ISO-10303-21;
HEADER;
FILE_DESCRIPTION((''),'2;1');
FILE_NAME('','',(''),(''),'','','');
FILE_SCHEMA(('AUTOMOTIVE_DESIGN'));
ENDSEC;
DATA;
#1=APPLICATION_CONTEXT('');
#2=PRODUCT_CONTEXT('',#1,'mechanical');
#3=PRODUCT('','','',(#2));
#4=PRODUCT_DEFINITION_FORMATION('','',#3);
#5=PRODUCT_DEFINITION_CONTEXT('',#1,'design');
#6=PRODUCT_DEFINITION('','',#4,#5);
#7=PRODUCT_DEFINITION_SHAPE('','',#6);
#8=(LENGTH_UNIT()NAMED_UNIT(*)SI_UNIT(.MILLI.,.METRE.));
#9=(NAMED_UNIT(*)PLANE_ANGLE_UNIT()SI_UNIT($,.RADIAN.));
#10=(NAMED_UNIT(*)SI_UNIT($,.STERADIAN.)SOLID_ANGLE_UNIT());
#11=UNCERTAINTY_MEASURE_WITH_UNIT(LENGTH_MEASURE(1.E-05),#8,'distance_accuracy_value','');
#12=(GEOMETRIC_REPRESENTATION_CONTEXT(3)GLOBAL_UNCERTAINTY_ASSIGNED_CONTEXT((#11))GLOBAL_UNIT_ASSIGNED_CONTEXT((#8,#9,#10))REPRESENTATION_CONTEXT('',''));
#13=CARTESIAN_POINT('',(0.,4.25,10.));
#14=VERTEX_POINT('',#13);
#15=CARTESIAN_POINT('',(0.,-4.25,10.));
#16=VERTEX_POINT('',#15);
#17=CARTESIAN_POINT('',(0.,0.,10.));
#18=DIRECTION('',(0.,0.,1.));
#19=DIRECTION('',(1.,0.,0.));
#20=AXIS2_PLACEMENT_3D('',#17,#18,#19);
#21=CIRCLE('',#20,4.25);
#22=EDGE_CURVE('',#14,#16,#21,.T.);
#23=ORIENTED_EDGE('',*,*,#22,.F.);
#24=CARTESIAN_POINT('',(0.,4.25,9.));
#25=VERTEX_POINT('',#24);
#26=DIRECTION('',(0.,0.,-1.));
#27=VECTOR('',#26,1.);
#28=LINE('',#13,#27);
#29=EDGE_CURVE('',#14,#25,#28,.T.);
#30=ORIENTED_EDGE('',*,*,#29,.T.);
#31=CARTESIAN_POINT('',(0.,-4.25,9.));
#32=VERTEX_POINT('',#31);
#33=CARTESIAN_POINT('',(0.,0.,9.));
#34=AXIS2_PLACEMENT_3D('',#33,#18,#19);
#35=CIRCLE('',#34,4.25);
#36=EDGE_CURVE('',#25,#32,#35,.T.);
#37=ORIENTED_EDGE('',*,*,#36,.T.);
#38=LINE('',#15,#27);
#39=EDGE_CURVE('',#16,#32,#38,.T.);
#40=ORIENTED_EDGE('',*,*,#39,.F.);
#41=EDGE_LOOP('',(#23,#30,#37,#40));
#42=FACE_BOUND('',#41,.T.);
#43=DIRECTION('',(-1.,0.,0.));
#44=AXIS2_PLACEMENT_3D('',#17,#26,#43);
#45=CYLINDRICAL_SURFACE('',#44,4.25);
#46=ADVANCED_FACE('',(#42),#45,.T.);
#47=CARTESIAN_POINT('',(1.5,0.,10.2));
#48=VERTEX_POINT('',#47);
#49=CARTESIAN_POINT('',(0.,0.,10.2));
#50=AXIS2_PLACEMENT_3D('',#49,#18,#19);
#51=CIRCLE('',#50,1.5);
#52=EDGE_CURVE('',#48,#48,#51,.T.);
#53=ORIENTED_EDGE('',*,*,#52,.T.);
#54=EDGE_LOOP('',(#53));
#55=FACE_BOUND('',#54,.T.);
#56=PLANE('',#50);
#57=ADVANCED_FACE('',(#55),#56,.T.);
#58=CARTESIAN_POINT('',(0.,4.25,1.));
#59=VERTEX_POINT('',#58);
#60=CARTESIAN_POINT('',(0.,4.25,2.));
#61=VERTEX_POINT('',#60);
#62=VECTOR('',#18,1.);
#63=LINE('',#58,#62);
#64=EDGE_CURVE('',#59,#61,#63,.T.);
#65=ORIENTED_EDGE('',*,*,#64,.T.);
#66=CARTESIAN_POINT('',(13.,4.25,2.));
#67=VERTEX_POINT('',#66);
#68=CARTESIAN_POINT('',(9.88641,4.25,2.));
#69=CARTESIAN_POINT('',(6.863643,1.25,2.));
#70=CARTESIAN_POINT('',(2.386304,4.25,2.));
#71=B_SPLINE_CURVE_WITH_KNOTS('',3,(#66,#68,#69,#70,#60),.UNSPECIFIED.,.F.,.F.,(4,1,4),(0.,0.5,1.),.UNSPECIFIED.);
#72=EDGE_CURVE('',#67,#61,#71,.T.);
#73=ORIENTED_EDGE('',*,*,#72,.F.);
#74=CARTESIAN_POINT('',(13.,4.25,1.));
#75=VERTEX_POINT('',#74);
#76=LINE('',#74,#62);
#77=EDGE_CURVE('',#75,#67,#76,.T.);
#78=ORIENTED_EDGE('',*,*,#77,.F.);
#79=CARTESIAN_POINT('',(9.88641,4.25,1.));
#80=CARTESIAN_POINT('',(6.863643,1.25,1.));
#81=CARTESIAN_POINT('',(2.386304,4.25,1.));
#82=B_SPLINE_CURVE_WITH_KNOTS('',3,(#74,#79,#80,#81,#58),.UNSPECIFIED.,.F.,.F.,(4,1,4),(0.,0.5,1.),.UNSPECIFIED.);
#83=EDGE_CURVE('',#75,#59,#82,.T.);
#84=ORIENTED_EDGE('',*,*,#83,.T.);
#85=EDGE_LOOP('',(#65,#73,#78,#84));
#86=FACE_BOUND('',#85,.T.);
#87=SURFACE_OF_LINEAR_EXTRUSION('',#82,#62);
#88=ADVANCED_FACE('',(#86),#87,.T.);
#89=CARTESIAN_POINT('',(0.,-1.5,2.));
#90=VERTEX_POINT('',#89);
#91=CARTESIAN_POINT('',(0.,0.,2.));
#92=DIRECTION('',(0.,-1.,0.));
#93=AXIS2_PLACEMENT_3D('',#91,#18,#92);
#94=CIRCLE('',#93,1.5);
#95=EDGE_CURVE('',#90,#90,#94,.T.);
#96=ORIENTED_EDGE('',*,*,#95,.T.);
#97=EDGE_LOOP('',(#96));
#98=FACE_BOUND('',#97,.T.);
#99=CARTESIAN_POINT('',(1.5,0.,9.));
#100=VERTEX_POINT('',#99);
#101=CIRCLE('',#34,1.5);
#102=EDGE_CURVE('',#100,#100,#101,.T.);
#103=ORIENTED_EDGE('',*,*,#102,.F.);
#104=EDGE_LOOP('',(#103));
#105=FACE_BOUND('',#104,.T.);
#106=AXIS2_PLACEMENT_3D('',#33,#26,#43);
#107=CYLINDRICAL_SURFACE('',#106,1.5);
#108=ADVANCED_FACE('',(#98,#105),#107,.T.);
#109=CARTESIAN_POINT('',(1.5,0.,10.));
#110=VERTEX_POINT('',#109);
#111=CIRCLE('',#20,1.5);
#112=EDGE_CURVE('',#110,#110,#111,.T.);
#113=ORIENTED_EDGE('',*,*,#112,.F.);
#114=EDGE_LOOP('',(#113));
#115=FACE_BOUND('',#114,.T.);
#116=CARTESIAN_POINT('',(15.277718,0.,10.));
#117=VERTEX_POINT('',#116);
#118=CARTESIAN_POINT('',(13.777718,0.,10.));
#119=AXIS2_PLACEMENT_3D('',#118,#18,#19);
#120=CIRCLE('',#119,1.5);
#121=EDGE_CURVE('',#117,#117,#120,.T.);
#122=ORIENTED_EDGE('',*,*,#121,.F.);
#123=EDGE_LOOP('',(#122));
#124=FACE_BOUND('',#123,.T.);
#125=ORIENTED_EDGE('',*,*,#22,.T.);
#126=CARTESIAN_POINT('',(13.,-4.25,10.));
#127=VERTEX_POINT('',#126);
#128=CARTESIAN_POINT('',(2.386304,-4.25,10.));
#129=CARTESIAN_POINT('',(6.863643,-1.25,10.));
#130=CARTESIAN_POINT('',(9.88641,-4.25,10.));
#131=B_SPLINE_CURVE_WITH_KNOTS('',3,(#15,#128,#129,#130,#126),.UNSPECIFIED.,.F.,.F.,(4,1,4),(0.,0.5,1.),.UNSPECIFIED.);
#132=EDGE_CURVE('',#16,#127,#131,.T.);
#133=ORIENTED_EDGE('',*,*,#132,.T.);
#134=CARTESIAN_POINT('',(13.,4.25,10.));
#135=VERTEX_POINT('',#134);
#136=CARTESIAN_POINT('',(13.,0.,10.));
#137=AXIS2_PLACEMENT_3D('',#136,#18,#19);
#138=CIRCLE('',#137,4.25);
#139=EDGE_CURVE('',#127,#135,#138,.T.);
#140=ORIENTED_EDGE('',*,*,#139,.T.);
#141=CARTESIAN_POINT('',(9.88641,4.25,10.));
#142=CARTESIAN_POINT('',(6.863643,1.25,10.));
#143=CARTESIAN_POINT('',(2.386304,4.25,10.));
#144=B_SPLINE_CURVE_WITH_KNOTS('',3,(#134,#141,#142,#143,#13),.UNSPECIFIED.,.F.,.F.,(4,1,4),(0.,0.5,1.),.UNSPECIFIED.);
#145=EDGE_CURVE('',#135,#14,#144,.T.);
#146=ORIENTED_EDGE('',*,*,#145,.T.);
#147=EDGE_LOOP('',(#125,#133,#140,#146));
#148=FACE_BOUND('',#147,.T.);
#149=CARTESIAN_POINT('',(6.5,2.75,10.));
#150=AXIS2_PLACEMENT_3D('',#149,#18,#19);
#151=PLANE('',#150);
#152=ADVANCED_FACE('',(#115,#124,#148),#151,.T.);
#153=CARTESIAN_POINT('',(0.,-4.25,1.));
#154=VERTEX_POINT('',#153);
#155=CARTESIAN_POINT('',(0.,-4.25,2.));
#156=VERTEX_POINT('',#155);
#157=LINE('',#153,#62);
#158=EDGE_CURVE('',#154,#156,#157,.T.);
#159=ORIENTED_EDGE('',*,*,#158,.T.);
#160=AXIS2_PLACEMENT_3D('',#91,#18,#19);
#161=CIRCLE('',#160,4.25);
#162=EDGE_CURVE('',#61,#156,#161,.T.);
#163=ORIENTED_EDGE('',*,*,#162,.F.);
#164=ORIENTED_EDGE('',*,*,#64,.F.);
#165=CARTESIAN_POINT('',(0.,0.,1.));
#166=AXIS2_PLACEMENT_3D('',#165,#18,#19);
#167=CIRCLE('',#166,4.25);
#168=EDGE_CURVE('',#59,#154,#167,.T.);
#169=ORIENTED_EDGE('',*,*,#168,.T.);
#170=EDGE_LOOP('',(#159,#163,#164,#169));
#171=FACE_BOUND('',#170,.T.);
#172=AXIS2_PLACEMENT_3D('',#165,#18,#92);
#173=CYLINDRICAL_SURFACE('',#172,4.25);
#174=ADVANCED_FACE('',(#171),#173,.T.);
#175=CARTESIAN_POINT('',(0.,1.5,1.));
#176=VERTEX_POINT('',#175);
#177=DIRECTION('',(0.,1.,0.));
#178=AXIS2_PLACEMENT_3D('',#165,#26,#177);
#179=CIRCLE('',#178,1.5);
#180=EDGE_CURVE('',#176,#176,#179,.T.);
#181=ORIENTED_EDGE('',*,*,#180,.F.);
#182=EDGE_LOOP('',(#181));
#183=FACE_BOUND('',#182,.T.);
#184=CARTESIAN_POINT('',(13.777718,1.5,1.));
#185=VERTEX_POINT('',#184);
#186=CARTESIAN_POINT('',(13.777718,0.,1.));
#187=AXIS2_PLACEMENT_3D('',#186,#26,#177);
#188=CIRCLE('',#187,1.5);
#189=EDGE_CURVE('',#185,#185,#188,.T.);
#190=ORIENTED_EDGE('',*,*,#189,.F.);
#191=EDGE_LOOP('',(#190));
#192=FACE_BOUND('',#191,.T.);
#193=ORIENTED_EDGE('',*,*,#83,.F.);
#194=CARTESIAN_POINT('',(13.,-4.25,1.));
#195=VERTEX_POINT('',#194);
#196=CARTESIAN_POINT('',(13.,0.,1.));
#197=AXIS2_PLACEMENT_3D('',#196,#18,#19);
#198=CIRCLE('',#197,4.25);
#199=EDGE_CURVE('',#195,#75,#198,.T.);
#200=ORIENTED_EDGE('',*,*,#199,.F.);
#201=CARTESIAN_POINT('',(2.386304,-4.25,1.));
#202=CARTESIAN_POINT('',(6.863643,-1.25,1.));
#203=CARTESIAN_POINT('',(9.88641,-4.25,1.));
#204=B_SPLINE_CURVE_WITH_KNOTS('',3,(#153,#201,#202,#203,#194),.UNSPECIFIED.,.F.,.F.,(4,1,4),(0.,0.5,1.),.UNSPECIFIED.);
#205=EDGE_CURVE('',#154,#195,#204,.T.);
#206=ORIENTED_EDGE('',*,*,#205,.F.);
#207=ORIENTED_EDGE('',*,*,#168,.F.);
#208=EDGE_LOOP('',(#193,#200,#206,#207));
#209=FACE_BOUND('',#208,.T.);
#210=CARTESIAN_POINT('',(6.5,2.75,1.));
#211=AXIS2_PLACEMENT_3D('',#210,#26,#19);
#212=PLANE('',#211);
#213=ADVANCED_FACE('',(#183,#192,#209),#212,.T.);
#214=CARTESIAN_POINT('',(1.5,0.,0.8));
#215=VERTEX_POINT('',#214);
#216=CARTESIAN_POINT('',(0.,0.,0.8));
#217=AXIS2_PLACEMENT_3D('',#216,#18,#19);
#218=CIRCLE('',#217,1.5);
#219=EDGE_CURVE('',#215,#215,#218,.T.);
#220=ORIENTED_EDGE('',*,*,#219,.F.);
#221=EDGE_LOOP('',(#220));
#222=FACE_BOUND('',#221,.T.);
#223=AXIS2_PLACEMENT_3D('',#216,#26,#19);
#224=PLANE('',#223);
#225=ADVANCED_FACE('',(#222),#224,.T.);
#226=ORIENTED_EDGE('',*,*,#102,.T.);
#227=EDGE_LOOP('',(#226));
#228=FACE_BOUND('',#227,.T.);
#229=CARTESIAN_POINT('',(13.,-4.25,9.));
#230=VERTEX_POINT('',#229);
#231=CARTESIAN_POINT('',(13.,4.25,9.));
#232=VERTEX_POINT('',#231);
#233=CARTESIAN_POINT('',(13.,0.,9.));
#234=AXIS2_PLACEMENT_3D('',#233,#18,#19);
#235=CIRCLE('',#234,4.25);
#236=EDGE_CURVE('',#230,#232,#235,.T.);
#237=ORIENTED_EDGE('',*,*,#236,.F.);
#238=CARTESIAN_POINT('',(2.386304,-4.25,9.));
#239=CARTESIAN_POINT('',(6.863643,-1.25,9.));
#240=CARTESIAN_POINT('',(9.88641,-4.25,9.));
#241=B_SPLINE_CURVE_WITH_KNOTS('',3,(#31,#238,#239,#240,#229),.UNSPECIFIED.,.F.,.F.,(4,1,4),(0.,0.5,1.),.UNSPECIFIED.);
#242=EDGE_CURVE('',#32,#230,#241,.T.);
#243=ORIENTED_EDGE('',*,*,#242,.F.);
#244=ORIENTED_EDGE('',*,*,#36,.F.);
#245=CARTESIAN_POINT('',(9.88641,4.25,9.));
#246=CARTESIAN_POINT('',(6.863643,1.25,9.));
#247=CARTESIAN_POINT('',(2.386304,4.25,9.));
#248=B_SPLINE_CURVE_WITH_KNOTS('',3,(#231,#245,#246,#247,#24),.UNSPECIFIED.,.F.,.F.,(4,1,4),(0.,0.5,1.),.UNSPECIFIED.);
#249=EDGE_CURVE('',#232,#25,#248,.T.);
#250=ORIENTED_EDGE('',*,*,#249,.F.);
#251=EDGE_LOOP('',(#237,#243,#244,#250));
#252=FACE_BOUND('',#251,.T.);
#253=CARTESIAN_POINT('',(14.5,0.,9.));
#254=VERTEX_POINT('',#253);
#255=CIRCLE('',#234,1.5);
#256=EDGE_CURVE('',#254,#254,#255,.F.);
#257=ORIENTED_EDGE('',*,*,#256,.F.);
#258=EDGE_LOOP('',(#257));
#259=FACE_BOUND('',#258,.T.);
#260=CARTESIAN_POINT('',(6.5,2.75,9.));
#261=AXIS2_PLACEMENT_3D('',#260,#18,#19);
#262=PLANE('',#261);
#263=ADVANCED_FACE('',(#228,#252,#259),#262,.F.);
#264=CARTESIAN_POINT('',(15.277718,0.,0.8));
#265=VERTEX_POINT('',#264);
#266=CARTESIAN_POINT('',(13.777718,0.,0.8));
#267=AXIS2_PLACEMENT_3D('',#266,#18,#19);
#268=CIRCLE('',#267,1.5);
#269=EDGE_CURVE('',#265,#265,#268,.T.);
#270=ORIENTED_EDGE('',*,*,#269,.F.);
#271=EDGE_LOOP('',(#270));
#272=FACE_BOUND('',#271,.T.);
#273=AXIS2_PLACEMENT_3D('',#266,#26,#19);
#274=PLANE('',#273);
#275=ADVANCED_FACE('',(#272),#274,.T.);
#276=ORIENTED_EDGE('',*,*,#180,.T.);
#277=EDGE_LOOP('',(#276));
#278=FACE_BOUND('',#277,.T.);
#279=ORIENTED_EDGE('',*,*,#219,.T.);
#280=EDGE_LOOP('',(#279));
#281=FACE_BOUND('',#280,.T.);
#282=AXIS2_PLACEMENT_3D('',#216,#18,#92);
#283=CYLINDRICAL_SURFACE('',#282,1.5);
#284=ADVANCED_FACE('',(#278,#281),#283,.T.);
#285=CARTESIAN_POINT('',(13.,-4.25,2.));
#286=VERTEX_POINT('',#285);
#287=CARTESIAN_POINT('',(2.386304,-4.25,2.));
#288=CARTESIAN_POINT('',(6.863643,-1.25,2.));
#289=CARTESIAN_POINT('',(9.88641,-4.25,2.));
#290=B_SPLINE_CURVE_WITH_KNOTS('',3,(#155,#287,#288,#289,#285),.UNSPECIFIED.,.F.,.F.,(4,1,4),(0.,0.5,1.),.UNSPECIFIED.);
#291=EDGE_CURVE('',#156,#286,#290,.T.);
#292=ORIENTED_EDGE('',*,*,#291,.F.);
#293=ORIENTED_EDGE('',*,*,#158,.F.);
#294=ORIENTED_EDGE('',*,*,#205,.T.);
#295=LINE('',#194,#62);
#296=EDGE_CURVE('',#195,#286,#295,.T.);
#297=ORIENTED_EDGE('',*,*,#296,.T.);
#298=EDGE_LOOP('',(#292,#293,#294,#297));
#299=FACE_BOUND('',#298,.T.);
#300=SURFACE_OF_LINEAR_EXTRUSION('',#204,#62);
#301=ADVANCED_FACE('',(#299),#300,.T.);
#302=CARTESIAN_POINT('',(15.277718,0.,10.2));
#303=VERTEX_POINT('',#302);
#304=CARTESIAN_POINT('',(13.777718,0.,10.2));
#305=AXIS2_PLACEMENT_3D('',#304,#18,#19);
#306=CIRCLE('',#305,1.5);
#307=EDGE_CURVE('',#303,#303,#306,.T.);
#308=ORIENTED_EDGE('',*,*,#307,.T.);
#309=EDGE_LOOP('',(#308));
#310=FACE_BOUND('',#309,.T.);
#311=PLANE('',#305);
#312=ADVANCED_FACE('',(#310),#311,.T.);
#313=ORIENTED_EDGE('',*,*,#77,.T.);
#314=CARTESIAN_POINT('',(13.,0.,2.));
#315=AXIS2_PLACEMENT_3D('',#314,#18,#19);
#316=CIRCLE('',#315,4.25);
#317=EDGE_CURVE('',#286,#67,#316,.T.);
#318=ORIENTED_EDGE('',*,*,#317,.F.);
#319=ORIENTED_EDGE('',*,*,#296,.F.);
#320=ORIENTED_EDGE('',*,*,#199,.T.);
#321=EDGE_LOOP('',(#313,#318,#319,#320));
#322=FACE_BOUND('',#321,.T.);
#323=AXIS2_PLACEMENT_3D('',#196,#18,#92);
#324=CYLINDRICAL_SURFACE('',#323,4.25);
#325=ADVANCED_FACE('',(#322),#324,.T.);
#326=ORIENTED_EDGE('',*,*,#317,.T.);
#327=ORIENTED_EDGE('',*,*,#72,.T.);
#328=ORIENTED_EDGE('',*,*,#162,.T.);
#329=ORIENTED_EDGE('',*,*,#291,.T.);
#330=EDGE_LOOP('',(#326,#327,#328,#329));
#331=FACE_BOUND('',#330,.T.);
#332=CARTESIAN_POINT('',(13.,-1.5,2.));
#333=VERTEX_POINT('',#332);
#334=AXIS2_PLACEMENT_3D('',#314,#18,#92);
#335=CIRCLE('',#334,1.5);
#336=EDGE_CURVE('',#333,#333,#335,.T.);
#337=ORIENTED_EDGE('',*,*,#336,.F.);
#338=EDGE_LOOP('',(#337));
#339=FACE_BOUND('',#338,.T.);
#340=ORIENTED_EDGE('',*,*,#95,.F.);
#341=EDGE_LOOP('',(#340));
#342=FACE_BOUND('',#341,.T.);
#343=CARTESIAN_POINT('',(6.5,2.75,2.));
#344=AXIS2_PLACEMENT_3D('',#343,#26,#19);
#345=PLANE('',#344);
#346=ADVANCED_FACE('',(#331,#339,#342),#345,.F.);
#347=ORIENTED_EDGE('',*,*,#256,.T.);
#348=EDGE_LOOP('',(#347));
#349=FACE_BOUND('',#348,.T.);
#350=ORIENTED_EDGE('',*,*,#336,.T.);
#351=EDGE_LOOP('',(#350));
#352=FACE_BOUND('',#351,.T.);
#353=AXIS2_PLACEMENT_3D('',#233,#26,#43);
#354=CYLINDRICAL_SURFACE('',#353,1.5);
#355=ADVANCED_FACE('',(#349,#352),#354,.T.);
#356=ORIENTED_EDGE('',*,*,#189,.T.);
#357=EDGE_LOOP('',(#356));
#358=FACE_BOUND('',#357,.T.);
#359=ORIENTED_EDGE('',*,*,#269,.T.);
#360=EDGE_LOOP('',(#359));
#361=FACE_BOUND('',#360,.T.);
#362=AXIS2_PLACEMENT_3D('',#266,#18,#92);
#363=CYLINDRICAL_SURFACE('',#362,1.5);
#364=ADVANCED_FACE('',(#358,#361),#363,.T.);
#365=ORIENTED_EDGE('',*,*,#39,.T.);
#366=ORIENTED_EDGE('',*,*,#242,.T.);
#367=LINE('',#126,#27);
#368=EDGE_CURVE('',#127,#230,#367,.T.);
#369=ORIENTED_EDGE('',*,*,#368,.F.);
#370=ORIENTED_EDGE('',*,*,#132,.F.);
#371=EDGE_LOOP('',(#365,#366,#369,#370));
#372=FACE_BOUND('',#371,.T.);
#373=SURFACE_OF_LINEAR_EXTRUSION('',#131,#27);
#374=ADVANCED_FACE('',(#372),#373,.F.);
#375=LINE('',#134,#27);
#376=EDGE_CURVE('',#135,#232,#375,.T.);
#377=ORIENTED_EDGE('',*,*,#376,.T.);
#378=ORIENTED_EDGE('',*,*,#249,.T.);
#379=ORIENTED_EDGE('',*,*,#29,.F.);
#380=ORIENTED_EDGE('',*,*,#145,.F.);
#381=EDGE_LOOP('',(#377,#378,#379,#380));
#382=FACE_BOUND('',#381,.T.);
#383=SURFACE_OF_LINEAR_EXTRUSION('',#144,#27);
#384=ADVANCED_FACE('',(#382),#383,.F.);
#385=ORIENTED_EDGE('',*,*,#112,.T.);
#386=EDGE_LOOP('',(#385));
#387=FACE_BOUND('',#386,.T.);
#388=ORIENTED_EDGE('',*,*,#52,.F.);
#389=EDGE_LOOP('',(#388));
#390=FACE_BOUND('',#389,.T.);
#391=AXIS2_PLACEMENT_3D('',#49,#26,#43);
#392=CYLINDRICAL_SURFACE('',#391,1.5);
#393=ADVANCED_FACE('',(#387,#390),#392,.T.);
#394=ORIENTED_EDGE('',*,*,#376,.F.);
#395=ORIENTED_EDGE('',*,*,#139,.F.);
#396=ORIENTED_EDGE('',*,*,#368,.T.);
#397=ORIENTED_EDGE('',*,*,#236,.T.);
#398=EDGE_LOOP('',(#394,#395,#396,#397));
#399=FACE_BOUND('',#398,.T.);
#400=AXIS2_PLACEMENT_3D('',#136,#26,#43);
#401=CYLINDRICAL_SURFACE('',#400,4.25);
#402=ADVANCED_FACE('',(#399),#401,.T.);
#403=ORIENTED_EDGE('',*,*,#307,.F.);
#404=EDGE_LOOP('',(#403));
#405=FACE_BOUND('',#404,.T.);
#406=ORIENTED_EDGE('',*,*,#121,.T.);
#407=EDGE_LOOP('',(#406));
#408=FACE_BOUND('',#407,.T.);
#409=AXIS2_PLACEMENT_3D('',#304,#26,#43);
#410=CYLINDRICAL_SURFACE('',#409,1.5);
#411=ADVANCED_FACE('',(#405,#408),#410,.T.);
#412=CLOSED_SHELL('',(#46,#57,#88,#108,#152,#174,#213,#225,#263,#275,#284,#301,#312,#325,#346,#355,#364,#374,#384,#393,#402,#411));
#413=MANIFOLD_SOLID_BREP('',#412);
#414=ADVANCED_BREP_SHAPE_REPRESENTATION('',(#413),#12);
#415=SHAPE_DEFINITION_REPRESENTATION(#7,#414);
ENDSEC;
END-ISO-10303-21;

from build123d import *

# Parameters (mm, degrees)
SKETCH1_R               = 1.5
BOSS_EXTRUDE6_DEPTH     = 9
BOSS_EXTRUDE6_2_DEPTH   = 9
BOSS_EXTRUDE7_DEPTH     = 1
SKETCH6_R               = 1.5
BOSS_EXTRUDE8_DEPTH     = 0.2
CUT_EXTRUDE1_DEPTH      = 21.485726843
CUT_EXTRUDE1_DEPTH_BACK = 21.485726843


with BuildPart() as part:
    # Sketch1 → Boss-Extrude6 (new body)
    with BuildSketch(Plane.XY):
        Circle(SKETCH1_R)
    extrude(amount=BOSS_EXTRUDE6_DEPTH)



with BuildPart() as body_2:
    # Sketch1 → Boss-Extrude6 2 (new body)
    with BuildSketch(Plane.XY):
        with Locations((13, 0)):
            Circle(SKETCH1_R)
    extrude(amount=BOSS_EXTRUDE6_2_DEPTH)


with BuildPart() as part_1:
    add(part.part)

    add(body_2.part)  # Boss-Extrude7 merges body 2
    # Sketch5 → Boss-Extrude7 (add)
    with BuildSketch(Plane.XY.offset(9)):
        with BuildLine():
            ThreePointArc((0, 4.25), (-4.25, 0), (0, -4.25))
            add(Edge.make_bspline(
                [(0, -4.25), (2.386303511, -4.25), (6.863643386, -1.25), (9.886409718, -4.25), (13, -4.25)],
                knots=[0, 0, 0, 0, 0.5, 1, 1, 1, 1], degree=3))
            ThreePointArc((13, -4.25), (17.25, 0), (13, 4.25))
            add(Edge.make_bspline(
                [(0, 4.25), (2.386303511, 4.25), (6.863643386, 1.25), (9.886409718, 4.25), (13, 4.25)],
                knots=[0, 0, 0, 0, 0.5, 1, 1, 1, 1], degree=3))
        make_face()
    boss_extrude7 = extrude(amount=BOSS_EXTRUDE7_DEPTH)

    # Sketch6 → Boss-Extrude8 (add)
    with BuildSketch(Plane.XY.offset(10)):
        Circle(SKETCH6_R)
        with Locations((13.777718246, 0)):
            Circle(SKETCH6_R)
    boss_extrude8 = extrude(amount=BOSS_EXTRUDE8_DEPTH)

    # Sketch8 → Cut-Extrude1 (cut, two sides: drawn at the far end of the back side and taken through both)
    with BuildSketch(Plane(origin=(0, 0, 0), x_dir=(0, 0, -1), z_dir=(1, 0, 0)).offset(-CUT_EXTRUDE1_DEPTH_BACK)):
        Polygon((0, 0), (0, 2.418260543), (-2, 2.418260543), (-2, -2.301811822), (0, -2.301811822), align=None)
    extrude(amount=CUT_EXTRUDE1_DEPTH + CUT_EXTRUDE1_DEPTH_BACK, mode=Mode.SUBTRACT)

    # Mirror1: Boss-Extrude7, Boss-Extrude8 across plane
    add(boss_extrude7.mirror(Plane(origin=(0, 0, 5.5), x_dir=(1, 0, 0), z_dir=(0, 0, -1))))
    add(boss_extrude8.mirror(Plane(origin=(0, 0, 5.5), x_dir=(1, 0, 0), z_dir=(0, 0, -1))))


solid = part_1.part
